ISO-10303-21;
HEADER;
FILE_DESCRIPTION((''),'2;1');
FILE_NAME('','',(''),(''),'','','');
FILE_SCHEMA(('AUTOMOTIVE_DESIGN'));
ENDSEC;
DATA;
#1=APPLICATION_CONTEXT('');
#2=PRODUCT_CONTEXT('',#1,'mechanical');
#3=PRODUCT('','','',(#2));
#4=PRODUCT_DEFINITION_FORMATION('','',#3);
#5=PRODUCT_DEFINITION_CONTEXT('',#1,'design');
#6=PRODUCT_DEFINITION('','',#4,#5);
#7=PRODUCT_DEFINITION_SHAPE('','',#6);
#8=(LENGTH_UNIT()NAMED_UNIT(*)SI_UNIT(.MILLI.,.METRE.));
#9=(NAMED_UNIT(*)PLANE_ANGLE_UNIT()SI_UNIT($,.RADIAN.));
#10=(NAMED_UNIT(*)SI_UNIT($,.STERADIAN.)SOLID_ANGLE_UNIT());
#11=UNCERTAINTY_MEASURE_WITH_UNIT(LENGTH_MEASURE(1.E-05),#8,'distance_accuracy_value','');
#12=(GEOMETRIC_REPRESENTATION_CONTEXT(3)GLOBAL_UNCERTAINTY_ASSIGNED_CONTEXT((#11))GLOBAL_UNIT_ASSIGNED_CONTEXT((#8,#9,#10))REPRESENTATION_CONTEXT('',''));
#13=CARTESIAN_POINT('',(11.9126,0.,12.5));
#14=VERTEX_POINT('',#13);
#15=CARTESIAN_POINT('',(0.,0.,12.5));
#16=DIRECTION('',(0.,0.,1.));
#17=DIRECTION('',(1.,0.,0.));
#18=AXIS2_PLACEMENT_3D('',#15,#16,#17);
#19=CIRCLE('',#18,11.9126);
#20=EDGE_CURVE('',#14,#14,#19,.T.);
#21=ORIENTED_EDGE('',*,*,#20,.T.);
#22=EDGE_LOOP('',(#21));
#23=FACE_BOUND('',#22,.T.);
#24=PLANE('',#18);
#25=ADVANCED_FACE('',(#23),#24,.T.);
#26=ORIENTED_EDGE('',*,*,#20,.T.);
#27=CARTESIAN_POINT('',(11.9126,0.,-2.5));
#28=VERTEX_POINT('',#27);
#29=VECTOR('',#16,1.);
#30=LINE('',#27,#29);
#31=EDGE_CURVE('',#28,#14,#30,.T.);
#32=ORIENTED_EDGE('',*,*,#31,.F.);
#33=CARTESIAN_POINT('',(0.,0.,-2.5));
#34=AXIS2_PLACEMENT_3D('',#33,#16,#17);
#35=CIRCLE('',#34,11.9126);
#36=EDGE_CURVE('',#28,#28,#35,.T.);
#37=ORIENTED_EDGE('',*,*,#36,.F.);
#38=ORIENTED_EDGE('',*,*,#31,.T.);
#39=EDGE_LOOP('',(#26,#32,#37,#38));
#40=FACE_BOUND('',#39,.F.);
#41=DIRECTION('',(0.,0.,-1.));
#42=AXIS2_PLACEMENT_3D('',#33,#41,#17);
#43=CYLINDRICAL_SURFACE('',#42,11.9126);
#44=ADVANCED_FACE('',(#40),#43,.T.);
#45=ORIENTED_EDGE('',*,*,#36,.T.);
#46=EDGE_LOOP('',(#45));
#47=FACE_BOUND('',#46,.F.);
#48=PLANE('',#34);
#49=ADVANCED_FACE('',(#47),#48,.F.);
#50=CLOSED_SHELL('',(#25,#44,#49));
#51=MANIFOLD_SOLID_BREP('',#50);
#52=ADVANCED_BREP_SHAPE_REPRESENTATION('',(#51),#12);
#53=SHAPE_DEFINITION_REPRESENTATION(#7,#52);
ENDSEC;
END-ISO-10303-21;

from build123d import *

# Parameters (mm, degrees)
CYLINDER_R     = 11.9126
CYLINDER_DEPTH = 15


with BuildPart() as part:
    # Cylinder → Cylinder (new body)
    with BuildSketch(Plane.XY.offset(-2.5)):
        Circle(CYLINDER_R)
    extrude(amount=CYLINDER_DEPTH)


solid = part.part
